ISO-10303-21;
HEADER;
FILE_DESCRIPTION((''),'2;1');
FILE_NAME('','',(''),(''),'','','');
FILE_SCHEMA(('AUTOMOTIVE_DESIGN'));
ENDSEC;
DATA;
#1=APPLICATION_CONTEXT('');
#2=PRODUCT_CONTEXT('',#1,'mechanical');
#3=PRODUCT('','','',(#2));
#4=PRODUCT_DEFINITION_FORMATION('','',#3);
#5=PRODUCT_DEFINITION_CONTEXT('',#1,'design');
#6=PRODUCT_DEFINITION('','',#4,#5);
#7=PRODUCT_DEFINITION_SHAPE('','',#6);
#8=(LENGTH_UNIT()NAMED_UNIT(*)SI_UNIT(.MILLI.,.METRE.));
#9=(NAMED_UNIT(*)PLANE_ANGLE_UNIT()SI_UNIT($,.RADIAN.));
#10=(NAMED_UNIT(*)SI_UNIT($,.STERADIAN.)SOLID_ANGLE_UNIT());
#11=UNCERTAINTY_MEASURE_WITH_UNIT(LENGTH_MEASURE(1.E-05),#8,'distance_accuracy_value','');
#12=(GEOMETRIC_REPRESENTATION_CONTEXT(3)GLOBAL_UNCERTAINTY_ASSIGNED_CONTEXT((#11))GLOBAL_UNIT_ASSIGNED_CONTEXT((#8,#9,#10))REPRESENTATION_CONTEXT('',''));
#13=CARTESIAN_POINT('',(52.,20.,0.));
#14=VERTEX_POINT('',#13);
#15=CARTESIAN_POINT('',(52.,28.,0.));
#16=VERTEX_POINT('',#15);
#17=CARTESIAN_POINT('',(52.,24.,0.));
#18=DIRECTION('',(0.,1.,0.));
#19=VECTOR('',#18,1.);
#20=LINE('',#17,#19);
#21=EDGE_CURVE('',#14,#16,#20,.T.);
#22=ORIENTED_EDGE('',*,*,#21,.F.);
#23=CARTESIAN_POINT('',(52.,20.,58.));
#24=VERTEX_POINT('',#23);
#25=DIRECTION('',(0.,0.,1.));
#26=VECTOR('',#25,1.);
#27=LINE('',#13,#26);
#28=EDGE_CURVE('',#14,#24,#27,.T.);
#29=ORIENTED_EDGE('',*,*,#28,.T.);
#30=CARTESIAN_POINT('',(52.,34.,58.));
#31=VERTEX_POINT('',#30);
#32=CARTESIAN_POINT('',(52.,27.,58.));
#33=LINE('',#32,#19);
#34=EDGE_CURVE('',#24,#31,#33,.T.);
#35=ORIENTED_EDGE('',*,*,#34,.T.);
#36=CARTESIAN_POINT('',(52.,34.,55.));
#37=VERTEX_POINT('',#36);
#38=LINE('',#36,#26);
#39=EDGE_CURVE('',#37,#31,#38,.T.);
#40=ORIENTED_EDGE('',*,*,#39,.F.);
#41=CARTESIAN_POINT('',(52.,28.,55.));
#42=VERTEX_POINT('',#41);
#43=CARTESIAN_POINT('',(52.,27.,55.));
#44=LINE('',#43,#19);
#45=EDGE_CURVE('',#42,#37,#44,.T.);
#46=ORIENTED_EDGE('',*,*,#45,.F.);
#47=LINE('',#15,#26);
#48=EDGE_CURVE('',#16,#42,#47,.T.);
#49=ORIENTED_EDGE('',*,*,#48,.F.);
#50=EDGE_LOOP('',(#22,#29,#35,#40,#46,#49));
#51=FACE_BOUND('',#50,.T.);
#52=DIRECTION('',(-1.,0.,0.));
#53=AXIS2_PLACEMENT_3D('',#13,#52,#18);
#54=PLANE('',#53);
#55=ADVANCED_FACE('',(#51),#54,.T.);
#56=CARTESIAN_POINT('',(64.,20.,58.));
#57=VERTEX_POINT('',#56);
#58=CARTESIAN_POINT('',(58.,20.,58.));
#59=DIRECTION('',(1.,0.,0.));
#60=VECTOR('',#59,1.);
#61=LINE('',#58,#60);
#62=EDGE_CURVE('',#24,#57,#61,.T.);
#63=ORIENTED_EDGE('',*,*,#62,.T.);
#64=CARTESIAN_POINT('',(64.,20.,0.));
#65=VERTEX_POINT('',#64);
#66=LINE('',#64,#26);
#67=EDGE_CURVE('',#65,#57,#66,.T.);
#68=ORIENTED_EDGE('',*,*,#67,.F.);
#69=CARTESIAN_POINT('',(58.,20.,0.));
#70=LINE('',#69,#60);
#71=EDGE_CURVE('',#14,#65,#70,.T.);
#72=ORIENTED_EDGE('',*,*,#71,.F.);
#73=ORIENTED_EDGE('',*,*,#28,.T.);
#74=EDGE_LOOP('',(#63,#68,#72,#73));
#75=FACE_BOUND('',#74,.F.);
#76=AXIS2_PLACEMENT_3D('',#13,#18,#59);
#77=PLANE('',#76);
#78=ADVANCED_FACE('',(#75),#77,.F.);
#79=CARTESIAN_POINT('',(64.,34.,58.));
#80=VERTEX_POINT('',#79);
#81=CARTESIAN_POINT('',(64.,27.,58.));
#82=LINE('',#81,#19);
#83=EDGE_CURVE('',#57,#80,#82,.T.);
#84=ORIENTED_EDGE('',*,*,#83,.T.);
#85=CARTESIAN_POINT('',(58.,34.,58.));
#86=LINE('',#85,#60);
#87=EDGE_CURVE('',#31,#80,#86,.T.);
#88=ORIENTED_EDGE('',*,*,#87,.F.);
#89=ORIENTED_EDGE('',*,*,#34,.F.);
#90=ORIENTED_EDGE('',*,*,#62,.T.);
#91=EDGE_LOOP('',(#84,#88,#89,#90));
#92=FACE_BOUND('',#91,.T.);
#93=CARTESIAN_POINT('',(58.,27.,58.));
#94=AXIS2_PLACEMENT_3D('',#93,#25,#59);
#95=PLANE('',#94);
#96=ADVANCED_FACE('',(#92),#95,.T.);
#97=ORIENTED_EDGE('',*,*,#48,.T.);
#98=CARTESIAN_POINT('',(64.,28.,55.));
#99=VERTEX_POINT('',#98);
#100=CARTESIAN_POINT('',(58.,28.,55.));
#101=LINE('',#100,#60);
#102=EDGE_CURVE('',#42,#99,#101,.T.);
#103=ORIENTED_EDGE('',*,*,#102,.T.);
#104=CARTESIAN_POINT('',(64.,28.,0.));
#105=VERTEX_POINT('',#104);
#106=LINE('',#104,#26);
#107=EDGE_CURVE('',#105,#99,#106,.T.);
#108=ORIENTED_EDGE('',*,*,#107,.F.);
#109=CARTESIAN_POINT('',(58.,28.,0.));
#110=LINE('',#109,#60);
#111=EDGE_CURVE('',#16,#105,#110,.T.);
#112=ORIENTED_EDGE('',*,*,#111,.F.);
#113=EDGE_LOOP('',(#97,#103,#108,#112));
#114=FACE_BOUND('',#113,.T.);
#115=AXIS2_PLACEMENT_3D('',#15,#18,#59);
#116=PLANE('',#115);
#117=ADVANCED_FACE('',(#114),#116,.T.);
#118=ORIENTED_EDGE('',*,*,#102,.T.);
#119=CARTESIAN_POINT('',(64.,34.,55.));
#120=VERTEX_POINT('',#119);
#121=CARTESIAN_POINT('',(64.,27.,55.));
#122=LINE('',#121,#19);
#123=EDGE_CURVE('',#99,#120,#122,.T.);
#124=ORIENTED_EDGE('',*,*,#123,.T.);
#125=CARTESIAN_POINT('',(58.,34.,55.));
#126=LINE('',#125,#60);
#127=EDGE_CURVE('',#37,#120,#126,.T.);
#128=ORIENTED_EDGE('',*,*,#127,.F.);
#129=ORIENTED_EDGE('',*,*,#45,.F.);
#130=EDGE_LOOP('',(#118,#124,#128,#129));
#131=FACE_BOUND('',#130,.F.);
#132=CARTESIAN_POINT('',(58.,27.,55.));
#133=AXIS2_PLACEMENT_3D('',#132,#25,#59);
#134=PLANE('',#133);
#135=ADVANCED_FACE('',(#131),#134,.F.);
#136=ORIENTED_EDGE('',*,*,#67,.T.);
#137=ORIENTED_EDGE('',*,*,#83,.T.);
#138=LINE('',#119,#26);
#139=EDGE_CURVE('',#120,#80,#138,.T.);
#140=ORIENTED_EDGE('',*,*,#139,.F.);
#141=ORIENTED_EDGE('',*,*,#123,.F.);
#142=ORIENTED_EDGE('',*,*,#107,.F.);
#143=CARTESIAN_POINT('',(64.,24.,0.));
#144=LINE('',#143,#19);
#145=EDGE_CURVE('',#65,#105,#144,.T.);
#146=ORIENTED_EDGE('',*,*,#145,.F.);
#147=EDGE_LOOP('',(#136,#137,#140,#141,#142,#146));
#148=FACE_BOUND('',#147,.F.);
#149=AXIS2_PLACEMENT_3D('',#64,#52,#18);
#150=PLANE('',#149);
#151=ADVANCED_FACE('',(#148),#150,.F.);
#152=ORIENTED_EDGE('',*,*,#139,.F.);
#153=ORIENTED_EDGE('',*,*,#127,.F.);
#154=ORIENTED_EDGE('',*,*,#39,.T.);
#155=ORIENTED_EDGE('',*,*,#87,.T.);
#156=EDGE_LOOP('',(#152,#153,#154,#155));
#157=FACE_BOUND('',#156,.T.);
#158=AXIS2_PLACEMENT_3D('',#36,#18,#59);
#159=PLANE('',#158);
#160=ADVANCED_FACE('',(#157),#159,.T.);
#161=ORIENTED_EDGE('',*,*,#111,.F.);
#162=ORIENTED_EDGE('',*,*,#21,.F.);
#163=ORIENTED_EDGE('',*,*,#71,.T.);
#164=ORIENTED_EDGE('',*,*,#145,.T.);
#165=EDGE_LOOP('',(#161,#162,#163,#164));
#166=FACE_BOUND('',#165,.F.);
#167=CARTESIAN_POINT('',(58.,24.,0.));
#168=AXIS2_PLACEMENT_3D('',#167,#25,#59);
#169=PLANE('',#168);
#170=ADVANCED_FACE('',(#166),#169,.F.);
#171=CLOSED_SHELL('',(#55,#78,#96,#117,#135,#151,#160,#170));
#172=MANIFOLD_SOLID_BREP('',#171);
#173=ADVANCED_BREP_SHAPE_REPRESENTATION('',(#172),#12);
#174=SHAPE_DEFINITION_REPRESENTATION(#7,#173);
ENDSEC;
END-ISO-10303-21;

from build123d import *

# Parameters (mm, degrees)
BOX007_W     = 12
BOX007_H     = 8
BOX007_DEPTH = 55
BOX008_W     = 12
BOX008_H     = 14
BOX008_DEPTH = 3


with BuildPart() as sporte1:
    # Box007 → Box007 (new body)
    with BuildSketch(Plane(origin=(47, 17, 0), x_dir=(1, 0, 0), z_dir=(0, 0, 1))):
        with Locations((6, 4)):
            Rectangle(BOX007_W, BOX007_H)
    extrude(amount=BOX007_DEPTH)


with BuildPart() as l1:
    # Box008 → Box008 (new body)
    with BuildSketch(Plane(origin=(47, 17, 55), x_dir=(1, 0, 0), z_dir=(0, 0, 1))):
        with Locations((6, 7)):
            Rectangle(BOX008_W, BOX008_H)
    extrude(amount=BOX008_DEPTH)

    # Fusion008: union sporte1
    add(sporte1.part)


with BuildPart() as l1_1:
    # Fusion008 placement: moved
    add(l1.part.moved(Location((5, 3, 0))))


solid = l1_1.part
